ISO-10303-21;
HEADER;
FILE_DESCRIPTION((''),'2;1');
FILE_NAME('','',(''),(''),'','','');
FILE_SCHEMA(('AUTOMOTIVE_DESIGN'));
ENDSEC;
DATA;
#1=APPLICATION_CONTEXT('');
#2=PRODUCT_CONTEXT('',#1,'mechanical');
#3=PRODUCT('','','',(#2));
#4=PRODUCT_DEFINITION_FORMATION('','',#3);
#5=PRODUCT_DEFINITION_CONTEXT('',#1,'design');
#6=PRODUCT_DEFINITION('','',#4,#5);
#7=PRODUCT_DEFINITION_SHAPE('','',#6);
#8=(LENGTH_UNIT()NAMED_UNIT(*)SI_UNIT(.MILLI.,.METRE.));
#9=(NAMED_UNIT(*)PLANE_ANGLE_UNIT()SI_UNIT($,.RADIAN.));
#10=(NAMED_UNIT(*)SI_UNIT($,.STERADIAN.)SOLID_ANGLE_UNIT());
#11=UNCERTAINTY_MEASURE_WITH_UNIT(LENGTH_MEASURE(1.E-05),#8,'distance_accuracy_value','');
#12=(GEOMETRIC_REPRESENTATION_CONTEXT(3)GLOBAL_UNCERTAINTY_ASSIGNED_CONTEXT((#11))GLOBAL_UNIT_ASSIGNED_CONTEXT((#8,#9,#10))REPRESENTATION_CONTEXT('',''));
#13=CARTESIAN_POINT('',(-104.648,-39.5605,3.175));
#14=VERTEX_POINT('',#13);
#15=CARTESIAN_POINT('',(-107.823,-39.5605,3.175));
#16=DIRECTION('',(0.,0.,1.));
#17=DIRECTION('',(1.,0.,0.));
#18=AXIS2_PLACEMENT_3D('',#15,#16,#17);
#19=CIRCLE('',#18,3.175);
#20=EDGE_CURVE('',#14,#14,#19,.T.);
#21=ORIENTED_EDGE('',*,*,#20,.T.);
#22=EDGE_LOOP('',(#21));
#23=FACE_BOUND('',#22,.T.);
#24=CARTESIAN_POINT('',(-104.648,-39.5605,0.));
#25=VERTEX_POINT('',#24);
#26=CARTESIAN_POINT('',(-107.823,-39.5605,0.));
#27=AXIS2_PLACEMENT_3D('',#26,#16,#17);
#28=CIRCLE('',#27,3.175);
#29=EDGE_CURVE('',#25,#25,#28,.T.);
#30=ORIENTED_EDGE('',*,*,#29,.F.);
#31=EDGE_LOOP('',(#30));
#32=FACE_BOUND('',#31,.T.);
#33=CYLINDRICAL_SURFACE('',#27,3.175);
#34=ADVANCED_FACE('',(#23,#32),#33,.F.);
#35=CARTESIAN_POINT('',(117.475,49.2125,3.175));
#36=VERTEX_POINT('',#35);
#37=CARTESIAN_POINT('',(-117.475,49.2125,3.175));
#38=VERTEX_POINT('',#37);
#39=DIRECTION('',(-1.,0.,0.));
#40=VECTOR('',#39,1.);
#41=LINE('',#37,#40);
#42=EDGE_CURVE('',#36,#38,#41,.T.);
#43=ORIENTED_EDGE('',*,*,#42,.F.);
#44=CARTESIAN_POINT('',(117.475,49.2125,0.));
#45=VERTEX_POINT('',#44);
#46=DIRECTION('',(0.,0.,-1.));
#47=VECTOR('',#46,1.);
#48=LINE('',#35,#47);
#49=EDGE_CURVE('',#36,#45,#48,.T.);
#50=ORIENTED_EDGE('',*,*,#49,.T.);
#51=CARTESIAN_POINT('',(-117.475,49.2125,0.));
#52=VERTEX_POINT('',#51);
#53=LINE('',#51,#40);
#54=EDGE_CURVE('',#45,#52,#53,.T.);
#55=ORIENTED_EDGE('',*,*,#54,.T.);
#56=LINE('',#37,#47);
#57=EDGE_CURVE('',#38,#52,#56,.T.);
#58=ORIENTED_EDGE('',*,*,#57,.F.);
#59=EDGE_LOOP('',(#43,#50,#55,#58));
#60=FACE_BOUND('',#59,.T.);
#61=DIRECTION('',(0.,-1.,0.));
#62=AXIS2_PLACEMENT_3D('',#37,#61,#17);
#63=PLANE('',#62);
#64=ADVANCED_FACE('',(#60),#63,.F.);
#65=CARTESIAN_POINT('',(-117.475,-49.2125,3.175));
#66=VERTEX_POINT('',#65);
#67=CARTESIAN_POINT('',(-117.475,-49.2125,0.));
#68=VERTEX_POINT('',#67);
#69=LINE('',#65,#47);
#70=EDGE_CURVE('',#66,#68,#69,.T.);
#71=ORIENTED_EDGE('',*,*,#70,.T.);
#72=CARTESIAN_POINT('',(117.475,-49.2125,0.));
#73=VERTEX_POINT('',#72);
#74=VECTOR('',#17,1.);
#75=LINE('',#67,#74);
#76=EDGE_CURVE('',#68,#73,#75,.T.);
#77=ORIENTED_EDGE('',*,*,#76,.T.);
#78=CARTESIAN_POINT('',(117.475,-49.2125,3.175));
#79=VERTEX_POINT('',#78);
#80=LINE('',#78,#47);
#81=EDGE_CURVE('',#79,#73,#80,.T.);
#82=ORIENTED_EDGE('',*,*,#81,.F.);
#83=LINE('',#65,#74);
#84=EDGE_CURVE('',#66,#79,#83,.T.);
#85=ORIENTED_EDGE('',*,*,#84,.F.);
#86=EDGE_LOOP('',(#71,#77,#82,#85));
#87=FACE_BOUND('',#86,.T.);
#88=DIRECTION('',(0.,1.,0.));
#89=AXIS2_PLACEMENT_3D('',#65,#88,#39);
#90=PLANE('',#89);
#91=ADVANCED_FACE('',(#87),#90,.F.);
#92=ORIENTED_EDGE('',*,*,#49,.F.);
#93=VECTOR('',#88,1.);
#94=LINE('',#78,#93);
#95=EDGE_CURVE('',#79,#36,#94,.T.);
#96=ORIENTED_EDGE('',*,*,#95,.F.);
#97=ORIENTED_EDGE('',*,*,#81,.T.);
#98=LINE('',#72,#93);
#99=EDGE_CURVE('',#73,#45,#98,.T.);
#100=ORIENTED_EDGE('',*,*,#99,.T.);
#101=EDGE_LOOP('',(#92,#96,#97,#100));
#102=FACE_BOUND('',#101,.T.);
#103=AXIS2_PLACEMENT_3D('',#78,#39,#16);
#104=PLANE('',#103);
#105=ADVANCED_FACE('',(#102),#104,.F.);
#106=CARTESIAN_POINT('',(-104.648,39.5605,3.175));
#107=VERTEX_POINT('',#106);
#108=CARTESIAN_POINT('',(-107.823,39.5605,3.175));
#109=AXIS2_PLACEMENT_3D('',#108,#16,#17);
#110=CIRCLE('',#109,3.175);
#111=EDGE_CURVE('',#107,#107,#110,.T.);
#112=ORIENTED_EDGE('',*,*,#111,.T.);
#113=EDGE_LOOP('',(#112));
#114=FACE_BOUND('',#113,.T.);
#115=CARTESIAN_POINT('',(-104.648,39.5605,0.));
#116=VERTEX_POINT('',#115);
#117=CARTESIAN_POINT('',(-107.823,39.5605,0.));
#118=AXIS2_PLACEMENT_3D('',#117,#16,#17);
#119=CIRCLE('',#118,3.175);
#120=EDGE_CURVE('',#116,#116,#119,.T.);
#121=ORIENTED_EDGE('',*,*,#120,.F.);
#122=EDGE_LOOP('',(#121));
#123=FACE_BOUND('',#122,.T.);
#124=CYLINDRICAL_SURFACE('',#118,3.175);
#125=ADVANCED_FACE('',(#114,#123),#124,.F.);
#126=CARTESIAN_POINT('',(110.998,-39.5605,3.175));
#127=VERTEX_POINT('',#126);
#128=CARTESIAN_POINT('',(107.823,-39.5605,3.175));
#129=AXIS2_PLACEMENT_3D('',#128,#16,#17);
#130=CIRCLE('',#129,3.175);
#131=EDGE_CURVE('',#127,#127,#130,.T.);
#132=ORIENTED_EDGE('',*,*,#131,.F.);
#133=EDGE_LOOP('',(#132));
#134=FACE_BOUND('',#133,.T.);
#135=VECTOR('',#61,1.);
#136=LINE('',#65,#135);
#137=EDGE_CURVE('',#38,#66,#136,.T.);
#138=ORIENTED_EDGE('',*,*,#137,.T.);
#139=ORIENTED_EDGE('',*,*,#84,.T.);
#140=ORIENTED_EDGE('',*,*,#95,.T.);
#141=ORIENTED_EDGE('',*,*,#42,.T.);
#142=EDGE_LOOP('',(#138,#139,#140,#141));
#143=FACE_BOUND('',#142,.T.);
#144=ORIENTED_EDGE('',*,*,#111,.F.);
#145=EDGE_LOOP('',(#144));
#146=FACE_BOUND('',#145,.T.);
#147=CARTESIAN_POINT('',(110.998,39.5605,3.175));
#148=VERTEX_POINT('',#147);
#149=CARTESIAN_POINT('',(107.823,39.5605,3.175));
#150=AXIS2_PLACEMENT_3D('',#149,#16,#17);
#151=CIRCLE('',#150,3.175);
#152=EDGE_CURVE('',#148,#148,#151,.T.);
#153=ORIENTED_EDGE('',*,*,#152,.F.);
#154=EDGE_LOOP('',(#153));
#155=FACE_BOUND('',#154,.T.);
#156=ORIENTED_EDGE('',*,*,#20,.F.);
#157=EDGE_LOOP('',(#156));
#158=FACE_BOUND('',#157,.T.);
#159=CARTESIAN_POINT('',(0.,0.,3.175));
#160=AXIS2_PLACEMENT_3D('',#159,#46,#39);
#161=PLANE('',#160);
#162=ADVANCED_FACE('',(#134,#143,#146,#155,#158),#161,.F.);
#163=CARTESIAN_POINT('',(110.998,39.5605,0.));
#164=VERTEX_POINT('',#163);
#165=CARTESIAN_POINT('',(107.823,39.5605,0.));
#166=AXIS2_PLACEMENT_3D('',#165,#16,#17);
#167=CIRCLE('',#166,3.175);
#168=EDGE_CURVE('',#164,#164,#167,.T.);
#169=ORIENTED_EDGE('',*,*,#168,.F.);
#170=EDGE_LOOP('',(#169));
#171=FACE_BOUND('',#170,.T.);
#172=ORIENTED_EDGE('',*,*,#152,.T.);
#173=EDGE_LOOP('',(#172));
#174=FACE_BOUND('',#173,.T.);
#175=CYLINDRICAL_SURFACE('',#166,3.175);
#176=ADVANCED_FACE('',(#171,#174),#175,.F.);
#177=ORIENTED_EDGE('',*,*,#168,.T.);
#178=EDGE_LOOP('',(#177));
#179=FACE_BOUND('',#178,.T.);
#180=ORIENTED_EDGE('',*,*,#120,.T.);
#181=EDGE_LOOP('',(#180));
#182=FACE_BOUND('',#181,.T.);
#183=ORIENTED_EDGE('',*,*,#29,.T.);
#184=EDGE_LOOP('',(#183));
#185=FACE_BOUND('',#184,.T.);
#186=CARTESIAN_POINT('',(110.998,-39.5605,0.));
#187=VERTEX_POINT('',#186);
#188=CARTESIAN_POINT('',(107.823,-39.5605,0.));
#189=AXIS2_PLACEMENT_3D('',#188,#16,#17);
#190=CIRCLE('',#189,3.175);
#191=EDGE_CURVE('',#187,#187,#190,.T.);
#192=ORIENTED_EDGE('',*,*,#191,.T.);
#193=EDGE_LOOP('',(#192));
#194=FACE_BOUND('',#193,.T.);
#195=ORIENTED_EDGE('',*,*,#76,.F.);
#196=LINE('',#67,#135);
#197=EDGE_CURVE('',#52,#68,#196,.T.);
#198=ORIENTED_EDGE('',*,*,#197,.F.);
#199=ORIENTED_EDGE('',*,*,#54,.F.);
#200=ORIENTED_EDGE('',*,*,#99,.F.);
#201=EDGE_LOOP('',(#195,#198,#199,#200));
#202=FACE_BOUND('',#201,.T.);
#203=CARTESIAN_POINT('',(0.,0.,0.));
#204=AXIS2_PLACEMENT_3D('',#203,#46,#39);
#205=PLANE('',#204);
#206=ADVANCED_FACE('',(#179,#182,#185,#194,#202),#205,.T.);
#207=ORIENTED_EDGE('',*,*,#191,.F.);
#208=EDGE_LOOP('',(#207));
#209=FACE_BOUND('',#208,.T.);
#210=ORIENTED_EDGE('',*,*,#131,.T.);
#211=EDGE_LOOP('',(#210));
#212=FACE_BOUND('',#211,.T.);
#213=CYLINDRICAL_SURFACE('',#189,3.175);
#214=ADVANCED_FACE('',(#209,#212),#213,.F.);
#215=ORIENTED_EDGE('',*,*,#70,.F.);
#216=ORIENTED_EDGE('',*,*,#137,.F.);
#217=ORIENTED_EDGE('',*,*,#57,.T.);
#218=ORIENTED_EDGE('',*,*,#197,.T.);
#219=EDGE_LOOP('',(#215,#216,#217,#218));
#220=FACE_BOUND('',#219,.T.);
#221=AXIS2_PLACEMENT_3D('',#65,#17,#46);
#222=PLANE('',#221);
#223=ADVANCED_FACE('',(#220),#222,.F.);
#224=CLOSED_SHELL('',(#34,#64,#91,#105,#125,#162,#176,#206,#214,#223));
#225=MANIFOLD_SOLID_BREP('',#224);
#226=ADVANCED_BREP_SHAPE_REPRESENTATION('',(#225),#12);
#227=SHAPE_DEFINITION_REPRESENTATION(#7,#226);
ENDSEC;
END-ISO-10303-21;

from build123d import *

# Parameters (mm, degrees)
SKETCH1_W           = 234.95
SKETCH1_H           = 98.425
BOSS_EXTRUDE1_DEPTH = 3.175
SKETCH2_R           = 3.175
CUT_EXTRUDE1_DEPTH  = 128.406147443


with BuildPart() as part:
    # Sketch1 → Boss-Extrude1 (new body)
    with BuildSketch(Plane.XY):
        Rectangle(SKETCH1_W, SKETCH1_H)
    extrude(amount=BOSS_EXTRUDE1_DEPTH)

    # Sketch2 → Cut-Extrude1 (cut, through all)
    with BuildSketch(Plane.XY.offset(3.175)):
        with Locations((-107.823, 39.5605)):
            Circle(SKETCH2_R)
        with Locations((-107.823, -39.5605)):
            Circle(SKETCH2_R)
        with Locations((107.823, 39.5605)):
            Circle(SKETCH2_R)
        with Locations((107.823, -39.5605)):
            Circle(SKETCH2_R)
    extrude(amount=-CUT_EXTRUDE1_DEPTH, mode=Mode.SUBTRACT)


solid = part.part
